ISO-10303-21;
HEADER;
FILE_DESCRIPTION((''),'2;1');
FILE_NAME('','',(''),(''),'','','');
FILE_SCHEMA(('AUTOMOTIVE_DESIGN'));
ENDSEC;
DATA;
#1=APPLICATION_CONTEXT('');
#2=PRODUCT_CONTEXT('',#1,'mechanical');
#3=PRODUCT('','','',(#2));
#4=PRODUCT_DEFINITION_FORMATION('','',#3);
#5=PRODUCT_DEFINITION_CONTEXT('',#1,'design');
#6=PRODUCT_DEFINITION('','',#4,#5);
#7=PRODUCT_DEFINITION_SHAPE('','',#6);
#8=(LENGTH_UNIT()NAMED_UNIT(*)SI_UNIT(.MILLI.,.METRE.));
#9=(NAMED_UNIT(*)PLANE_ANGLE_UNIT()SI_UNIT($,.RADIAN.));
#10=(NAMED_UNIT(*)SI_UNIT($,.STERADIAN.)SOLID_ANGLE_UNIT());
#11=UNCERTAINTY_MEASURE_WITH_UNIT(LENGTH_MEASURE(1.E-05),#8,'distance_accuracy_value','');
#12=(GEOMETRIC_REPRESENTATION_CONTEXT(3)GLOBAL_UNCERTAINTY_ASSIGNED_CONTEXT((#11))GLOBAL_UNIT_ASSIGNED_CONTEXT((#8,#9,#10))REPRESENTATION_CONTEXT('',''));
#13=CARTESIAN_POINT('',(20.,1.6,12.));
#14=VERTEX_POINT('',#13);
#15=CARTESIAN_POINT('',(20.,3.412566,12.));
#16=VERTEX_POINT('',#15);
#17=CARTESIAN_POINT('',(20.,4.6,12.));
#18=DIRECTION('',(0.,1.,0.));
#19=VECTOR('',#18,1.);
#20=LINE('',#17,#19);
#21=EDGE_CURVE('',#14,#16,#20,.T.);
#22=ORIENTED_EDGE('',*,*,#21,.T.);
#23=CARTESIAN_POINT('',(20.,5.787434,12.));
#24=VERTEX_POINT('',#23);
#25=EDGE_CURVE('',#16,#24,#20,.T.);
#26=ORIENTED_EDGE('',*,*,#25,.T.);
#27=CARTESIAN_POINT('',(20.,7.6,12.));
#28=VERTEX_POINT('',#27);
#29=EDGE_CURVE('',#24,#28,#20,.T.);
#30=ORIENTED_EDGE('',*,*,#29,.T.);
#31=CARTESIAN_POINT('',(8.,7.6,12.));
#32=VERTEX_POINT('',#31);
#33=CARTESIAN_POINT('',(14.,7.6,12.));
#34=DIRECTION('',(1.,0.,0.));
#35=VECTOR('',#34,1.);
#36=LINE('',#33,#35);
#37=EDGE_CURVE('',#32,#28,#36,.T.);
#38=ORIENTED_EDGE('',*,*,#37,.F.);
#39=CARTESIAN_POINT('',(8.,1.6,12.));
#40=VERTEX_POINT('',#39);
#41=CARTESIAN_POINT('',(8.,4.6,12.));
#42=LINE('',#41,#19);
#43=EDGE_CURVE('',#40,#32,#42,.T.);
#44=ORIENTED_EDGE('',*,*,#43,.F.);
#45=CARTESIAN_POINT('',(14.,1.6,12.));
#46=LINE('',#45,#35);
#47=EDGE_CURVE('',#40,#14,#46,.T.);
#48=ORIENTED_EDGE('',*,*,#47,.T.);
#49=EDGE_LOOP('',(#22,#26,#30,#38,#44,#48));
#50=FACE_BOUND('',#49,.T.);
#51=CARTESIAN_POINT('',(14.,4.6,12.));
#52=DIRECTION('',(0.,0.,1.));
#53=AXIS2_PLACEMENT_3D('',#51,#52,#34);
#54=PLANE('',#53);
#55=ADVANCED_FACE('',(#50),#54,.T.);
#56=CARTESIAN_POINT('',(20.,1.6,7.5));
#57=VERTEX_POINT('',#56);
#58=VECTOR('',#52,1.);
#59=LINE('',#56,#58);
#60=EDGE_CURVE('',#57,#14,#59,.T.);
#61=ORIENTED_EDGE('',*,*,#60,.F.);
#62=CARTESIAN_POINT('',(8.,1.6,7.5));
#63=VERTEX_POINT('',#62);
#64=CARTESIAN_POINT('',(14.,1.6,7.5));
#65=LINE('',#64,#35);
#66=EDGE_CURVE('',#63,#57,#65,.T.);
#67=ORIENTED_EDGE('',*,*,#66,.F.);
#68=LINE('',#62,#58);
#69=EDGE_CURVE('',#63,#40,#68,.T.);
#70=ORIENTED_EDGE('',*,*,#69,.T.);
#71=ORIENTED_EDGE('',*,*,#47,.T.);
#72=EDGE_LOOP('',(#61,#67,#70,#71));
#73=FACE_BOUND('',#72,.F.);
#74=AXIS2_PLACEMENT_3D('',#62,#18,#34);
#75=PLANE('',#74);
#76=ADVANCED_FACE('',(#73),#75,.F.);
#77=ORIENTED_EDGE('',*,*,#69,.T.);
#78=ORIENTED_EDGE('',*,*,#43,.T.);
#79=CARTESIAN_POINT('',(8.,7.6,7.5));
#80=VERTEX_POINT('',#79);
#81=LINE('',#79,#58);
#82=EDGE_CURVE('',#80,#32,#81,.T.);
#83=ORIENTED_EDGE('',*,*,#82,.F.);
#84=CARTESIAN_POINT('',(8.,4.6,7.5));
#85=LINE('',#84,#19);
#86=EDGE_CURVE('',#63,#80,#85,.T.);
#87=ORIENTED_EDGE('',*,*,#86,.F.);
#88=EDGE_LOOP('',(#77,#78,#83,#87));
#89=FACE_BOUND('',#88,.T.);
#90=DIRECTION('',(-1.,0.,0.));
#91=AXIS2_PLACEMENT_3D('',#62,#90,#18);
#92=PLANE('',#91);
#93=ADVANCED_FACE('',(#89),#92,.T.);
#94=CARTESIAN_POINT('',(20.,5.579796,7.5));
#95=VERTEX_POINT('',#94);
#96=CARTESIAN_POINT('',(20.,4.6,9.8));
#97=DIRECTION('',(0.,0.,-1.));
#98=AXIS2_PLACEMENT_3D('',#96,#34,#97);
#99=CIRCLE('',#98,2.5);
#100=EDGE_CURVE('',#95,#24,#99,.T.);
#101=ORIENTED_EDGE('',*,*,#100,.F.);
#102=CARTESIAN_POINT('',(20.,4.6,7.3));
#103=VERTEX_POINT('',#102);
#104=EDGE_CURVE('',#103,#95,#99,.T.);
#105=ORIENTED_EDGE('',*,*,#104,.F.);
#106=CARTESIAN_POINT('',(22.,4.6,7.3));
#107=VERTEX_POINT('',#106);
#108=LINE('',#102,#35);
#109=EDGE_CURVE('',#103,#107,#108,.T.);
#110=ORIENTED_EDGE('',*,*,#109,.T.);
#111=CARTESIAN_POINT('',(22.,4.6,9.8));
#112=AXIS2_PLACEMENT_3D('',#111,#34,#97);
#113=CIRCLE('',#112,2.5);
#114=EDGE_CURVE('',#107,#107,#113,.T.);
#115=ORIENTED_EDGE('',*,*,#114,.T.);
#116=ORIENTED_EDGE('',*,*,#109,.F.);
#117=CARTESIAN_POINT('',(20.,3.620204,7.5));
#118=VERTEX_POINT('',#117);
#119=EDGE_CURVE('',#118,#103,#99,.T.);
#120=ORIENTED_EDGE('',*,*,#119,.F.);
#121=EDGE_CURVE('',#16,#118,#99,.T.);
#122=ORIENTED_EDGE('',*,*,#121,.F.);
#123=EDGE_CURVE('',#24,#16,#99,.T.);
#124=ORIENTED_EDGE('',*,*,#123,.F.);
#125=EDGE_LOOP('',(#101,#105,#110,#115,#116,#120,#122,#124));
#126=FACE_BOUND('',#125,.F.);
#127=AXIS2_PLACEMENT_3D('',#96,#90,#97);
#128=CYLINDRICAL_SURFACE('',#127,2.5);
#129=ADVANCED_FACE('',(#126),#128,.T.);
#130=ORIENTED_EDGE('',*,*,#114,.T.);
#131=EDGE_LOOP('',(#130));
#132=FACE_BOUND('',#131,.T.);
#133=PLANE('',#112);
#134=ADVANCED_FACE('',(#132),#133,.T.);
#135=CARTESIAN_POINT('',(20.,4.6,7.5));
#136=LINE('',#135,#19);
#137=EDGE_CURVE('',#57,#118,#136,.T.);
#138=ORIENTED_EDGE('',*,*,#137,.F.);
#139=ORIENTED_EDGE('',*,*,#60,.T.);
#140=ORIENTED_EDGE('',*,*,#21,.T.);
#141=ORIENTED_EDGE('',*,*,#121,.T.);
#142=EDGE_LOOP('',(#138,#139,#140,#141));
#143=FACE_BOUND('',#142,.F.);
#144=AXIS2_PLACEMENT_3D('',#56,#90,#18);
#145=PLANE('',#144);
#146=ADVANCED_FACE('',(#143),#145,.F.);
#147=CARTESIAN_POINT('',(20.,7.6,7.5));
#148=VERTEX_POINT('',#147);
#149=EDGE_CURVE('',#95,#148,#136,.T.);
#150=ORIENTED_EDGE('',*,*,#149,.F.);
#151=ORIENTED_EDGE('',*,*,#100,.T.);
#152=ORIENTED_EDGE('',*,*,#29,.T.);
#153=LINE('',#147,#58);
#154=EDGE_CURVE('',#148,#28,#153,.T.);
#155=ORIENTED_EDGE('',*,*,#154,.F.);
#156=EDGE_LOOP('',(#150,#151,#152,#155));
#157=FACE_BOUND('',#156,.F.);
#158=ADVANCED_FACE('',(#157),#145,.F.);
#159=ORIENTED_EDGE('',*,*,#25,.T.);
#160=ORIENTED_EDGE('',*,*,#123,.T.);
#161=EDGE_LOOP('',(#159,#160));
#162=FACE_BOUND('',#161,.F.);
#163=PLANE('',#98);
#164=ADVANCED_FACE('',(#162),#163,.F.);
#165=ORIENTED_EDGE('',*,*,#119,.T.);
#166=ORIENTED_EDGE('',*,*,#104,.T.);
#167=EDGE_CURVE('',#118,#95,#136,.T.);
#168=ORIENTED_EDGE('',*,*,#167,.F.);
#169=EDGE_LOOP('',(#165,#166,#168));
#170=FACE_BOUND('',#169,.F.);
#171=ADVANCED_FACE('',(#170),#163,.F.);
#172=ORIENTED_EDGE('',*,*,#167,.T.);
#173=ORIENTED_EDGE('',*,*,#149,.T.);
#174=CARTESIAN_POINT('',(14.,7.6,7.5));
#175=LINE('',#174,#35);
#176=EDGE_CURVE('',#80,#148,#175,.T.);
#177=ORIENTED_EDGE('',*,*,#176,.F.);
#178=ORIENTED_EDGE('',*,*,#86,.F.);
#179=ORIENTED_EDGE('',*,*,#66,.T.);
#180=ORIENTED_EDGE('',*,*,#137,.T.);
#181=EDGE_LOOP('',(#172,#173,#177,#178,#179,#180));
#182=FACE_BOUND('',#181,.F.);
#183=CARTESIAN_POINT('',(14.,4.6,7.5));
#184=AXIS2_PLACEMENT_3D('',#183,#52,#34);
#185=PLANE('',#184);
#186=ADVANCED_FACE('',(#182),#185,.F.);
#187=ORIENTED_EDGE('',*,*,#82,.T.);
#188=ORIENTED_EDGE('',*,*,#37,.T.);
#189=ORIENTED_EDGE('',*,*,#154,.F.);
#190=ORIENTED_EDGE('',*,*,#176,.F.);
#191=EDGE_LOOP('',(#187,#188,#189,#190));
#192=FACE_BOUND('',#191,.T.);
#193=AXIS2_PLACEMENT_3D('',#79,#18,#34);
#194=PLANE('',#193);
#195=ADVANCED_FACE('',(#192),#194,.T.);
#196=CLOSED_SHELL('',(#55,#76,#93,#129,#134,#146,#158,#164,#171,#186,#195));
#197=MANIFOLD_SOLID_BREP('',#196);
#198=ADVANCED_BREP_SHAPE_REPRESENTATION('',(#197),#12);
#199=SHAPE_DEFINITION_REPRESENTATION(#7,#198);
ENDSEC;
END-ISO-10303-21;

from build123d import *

# Parameters (mm, degrees)
BOX018_W                = 12
BOX018_H                = 6
BOX018_DEPTH            = 4.5
CYLINDER020_R           = 2.5
CYLINDER020_DEPTH       = 2
CYLINDER020_PITCH_ANGLE = 90


with BuildPart() as aj_body001:
    # Box018 → Box018 (new body)
    with BuildSketch(Plane.XY.offset(18)):
        with Locations((6, 3)):
            Rectangle(BOX018_W, BOX018_H)
    extrude(amount=BOX018_DEPTH)


with BuildPart() as audio_jack001:
    # Cylinder020 → Cylinder020 (new body)
    with BuildSketch(Plane.XY):
        Circle(CYLINDER020_R)
    extrude(amount=CYLINDER020_DEPTH)


with BuildPart() as audio_jack001_1:
    # Cylinder020 pitch: moved
    add(audio_jack001.part.rotate(Axis((0, 0, 0), (0, 1, 0)), CYLINDER020_PITCH_ANGLE))


with BuildPart() as audio_jack001_2:
    # Cylinder020 placement: moved
    add(audio_jack001_1.part.moved(Location((12, 3, 20.3))))

    # Fusion011: union AJ_body001
    add(aj_body001.part)


with BuildPart() as audio_jack001_3:
    # Fusion011 placement: moved
    add(audio_jack001_2.part.moved(Location((8, 1.6, -10.5))))


solid = audio_jack001_3.part
